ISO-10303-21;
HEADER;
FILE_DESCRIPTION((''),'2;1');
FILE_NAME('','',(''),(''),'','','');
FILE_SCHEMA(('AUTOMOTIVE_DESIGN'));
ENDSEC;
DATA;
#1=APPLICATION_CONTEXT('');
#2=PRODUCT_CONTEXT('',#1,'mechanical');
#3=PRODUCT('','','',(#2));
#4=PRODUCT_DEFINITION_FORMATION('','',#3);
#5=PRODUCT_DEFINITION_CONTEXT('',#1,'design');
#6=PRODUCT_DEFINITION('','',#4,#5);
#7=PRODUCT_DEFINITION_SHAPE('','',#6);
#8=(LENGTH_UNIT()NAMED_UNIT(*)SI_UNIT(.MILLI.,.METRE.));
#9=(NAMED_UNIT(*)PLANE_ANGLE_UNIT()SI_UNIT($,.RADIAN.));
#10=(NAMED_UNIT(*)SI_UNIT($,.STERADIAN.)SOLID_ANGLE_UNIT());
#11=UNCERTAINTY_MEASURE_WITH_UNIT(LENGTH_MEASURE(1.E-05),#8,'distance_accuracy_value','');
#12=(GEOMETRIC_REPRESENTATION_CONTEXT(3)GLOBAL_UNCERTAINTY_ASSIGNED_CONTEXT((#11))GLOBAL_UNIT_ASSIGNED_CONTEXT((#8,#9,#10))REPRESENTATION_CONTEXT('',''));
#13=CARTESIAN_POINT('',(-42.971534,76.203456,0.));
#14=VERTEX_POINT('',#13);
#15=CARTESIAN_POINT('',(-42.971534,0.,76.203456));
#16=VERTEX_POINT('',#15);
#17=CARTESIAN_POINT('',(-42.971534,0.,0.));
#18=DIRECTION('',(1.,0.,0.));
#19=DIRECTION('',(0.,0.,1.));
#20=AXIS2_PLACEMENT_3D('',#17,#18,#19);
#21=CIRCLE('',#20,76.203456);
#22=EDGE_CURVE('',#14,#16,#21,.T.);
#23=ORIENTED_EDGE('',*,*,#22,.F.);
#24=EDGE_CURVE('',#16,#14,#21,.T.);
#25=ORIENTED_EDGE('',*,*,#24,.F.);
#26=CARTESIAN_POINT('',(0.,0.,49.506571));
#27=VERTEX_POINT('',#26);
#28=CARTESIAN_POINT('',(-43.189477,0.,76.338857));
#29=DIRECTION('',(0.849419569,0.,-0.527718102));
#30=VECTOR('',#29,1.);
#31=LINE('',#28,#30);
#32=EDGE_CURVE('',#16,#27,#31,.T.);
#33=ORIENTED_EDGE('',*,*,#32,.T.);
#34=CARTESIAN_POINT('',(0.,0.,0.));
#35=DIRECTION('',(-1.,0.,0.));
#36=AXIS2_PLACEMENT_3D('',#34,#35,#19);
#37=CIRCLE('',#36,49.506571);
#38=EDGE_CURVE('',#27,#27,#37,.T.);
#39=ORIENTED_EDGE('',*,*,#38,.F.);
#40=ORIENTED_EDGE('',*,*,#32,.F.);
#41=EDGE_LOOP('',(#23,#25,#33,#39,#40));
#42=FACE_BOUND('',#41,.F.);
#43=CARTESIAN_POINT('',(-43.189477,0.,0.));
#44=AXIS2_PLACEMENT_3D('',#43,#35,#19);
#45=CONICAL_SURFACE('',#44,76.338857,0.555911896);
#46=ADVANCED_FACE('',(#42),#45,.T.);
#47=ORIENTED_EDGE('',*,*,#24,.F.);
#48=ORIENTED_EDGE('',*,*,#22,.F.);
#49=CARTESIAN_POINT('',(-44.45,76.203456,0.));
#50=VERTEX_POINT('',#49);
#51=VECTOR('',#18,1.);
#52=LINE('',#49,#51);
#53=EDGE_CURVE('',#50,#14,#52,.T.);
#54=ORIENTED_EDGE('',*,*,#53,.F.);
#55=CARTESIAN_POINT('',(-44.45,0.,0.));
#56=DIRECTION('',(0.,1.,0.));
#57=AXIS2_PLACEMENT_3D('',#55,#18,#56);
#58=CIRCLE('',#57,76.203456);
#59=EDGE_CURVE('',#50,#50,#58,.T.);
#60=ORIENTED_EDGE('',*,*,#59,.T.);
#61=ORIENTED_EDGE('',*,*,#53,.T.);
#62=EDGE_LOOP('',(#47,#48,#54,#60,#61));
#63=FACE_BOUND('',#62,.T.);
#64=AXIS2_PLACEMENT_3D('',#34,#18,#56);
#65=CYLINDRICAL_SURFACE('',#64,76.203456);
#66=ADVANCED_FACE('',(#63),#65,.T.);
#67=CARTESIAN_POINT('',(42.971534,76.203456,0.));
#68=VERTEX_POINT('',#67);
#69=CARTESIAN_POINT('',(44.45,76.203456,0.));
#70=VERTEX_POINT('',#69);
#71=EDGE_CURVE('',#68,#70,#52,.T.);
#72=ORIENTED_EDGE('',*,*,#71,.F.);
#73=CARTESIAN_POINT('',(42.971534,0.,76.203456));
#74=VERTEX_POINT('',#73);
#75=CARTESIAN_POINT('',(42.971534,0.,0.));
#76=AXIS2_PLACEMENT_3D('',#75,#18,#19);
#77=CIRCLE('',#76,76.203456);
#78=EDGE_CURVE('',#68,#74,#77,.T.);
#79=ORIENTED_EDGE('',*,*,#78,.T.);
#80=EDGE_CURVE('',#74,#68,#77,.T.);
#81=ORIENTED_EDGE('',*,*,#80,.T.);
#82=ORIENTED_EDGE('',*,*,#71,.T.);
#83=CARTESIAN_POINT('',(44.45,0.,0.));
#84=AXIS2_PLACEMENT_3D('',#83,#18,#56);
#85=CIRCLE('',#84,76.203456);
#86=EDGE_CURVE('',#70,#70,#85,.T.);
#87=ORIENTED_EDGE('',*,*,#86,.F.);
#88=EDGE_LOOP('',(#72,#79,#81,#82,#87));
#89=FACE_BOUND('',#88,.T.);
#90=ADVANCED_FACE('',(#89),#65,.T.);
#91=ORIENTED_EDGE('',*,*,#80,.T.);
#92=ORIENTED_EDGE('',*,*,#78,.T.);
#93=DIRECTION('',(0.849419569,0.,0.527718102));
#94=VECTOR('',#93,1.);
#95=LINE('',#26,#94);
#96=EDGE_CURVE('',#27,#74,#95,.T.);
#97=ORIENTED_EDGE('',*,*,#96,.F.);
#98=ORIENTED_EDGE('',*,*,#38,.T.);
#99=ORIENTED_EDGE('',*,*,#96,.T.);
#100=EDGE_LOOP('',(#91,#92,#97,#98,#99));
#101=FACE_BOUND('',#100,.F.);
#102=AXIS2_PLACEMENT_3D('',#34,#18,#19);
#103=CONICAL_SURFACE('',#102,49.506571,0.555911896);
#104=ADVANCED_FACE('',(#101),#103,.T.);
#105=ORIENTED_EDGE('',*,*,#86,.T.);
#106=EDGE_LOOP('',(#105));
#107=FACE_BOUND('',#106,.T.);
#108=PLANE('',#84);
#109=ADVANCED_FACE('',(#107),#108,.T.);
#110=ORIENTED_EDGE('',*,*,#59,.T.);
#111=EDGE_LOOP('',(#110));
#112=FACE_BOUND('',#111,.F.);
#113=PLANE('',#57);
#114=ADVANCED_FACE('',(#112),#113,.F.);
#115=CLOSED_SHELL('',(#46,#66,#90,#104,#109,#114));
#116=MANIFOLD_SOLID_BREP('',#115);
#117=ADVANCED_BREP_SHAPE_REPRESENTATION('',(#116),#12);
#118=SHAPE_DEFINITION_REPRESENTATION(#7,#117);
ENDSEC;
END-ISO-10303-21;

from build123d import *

# Parameters (mm, degrees)
F0_R          = 76.203456
F1_DEPTH      = 44.45
F1_DEPTH_BACK = 44.45


with BuildPart() as f1:
    # F0 (on Right) → F1 (new body, two sides)
    with BuildSketch(Plane.YZ) as f1_sk:
        Circle(F0_R)
    extrude(amount=F1_DEPTH)
    extrude(f1_sk.sketch, amount=-F1_DEPTH_BACK)

    # F2 (on Front) → F3 (revolve, cut)
    with BuildSketch(Plane.XZ):
        Polygon((43.189477, 76.338857), (0, 76.338857), (-43.189477, 76.338857), (0, 49.506571), align=None)
    revolve(axis=Axis((-7.097326, 0, 0), (-1, 0, 0)), mode=Mode.SUBTRACT)


solid = f1.part
